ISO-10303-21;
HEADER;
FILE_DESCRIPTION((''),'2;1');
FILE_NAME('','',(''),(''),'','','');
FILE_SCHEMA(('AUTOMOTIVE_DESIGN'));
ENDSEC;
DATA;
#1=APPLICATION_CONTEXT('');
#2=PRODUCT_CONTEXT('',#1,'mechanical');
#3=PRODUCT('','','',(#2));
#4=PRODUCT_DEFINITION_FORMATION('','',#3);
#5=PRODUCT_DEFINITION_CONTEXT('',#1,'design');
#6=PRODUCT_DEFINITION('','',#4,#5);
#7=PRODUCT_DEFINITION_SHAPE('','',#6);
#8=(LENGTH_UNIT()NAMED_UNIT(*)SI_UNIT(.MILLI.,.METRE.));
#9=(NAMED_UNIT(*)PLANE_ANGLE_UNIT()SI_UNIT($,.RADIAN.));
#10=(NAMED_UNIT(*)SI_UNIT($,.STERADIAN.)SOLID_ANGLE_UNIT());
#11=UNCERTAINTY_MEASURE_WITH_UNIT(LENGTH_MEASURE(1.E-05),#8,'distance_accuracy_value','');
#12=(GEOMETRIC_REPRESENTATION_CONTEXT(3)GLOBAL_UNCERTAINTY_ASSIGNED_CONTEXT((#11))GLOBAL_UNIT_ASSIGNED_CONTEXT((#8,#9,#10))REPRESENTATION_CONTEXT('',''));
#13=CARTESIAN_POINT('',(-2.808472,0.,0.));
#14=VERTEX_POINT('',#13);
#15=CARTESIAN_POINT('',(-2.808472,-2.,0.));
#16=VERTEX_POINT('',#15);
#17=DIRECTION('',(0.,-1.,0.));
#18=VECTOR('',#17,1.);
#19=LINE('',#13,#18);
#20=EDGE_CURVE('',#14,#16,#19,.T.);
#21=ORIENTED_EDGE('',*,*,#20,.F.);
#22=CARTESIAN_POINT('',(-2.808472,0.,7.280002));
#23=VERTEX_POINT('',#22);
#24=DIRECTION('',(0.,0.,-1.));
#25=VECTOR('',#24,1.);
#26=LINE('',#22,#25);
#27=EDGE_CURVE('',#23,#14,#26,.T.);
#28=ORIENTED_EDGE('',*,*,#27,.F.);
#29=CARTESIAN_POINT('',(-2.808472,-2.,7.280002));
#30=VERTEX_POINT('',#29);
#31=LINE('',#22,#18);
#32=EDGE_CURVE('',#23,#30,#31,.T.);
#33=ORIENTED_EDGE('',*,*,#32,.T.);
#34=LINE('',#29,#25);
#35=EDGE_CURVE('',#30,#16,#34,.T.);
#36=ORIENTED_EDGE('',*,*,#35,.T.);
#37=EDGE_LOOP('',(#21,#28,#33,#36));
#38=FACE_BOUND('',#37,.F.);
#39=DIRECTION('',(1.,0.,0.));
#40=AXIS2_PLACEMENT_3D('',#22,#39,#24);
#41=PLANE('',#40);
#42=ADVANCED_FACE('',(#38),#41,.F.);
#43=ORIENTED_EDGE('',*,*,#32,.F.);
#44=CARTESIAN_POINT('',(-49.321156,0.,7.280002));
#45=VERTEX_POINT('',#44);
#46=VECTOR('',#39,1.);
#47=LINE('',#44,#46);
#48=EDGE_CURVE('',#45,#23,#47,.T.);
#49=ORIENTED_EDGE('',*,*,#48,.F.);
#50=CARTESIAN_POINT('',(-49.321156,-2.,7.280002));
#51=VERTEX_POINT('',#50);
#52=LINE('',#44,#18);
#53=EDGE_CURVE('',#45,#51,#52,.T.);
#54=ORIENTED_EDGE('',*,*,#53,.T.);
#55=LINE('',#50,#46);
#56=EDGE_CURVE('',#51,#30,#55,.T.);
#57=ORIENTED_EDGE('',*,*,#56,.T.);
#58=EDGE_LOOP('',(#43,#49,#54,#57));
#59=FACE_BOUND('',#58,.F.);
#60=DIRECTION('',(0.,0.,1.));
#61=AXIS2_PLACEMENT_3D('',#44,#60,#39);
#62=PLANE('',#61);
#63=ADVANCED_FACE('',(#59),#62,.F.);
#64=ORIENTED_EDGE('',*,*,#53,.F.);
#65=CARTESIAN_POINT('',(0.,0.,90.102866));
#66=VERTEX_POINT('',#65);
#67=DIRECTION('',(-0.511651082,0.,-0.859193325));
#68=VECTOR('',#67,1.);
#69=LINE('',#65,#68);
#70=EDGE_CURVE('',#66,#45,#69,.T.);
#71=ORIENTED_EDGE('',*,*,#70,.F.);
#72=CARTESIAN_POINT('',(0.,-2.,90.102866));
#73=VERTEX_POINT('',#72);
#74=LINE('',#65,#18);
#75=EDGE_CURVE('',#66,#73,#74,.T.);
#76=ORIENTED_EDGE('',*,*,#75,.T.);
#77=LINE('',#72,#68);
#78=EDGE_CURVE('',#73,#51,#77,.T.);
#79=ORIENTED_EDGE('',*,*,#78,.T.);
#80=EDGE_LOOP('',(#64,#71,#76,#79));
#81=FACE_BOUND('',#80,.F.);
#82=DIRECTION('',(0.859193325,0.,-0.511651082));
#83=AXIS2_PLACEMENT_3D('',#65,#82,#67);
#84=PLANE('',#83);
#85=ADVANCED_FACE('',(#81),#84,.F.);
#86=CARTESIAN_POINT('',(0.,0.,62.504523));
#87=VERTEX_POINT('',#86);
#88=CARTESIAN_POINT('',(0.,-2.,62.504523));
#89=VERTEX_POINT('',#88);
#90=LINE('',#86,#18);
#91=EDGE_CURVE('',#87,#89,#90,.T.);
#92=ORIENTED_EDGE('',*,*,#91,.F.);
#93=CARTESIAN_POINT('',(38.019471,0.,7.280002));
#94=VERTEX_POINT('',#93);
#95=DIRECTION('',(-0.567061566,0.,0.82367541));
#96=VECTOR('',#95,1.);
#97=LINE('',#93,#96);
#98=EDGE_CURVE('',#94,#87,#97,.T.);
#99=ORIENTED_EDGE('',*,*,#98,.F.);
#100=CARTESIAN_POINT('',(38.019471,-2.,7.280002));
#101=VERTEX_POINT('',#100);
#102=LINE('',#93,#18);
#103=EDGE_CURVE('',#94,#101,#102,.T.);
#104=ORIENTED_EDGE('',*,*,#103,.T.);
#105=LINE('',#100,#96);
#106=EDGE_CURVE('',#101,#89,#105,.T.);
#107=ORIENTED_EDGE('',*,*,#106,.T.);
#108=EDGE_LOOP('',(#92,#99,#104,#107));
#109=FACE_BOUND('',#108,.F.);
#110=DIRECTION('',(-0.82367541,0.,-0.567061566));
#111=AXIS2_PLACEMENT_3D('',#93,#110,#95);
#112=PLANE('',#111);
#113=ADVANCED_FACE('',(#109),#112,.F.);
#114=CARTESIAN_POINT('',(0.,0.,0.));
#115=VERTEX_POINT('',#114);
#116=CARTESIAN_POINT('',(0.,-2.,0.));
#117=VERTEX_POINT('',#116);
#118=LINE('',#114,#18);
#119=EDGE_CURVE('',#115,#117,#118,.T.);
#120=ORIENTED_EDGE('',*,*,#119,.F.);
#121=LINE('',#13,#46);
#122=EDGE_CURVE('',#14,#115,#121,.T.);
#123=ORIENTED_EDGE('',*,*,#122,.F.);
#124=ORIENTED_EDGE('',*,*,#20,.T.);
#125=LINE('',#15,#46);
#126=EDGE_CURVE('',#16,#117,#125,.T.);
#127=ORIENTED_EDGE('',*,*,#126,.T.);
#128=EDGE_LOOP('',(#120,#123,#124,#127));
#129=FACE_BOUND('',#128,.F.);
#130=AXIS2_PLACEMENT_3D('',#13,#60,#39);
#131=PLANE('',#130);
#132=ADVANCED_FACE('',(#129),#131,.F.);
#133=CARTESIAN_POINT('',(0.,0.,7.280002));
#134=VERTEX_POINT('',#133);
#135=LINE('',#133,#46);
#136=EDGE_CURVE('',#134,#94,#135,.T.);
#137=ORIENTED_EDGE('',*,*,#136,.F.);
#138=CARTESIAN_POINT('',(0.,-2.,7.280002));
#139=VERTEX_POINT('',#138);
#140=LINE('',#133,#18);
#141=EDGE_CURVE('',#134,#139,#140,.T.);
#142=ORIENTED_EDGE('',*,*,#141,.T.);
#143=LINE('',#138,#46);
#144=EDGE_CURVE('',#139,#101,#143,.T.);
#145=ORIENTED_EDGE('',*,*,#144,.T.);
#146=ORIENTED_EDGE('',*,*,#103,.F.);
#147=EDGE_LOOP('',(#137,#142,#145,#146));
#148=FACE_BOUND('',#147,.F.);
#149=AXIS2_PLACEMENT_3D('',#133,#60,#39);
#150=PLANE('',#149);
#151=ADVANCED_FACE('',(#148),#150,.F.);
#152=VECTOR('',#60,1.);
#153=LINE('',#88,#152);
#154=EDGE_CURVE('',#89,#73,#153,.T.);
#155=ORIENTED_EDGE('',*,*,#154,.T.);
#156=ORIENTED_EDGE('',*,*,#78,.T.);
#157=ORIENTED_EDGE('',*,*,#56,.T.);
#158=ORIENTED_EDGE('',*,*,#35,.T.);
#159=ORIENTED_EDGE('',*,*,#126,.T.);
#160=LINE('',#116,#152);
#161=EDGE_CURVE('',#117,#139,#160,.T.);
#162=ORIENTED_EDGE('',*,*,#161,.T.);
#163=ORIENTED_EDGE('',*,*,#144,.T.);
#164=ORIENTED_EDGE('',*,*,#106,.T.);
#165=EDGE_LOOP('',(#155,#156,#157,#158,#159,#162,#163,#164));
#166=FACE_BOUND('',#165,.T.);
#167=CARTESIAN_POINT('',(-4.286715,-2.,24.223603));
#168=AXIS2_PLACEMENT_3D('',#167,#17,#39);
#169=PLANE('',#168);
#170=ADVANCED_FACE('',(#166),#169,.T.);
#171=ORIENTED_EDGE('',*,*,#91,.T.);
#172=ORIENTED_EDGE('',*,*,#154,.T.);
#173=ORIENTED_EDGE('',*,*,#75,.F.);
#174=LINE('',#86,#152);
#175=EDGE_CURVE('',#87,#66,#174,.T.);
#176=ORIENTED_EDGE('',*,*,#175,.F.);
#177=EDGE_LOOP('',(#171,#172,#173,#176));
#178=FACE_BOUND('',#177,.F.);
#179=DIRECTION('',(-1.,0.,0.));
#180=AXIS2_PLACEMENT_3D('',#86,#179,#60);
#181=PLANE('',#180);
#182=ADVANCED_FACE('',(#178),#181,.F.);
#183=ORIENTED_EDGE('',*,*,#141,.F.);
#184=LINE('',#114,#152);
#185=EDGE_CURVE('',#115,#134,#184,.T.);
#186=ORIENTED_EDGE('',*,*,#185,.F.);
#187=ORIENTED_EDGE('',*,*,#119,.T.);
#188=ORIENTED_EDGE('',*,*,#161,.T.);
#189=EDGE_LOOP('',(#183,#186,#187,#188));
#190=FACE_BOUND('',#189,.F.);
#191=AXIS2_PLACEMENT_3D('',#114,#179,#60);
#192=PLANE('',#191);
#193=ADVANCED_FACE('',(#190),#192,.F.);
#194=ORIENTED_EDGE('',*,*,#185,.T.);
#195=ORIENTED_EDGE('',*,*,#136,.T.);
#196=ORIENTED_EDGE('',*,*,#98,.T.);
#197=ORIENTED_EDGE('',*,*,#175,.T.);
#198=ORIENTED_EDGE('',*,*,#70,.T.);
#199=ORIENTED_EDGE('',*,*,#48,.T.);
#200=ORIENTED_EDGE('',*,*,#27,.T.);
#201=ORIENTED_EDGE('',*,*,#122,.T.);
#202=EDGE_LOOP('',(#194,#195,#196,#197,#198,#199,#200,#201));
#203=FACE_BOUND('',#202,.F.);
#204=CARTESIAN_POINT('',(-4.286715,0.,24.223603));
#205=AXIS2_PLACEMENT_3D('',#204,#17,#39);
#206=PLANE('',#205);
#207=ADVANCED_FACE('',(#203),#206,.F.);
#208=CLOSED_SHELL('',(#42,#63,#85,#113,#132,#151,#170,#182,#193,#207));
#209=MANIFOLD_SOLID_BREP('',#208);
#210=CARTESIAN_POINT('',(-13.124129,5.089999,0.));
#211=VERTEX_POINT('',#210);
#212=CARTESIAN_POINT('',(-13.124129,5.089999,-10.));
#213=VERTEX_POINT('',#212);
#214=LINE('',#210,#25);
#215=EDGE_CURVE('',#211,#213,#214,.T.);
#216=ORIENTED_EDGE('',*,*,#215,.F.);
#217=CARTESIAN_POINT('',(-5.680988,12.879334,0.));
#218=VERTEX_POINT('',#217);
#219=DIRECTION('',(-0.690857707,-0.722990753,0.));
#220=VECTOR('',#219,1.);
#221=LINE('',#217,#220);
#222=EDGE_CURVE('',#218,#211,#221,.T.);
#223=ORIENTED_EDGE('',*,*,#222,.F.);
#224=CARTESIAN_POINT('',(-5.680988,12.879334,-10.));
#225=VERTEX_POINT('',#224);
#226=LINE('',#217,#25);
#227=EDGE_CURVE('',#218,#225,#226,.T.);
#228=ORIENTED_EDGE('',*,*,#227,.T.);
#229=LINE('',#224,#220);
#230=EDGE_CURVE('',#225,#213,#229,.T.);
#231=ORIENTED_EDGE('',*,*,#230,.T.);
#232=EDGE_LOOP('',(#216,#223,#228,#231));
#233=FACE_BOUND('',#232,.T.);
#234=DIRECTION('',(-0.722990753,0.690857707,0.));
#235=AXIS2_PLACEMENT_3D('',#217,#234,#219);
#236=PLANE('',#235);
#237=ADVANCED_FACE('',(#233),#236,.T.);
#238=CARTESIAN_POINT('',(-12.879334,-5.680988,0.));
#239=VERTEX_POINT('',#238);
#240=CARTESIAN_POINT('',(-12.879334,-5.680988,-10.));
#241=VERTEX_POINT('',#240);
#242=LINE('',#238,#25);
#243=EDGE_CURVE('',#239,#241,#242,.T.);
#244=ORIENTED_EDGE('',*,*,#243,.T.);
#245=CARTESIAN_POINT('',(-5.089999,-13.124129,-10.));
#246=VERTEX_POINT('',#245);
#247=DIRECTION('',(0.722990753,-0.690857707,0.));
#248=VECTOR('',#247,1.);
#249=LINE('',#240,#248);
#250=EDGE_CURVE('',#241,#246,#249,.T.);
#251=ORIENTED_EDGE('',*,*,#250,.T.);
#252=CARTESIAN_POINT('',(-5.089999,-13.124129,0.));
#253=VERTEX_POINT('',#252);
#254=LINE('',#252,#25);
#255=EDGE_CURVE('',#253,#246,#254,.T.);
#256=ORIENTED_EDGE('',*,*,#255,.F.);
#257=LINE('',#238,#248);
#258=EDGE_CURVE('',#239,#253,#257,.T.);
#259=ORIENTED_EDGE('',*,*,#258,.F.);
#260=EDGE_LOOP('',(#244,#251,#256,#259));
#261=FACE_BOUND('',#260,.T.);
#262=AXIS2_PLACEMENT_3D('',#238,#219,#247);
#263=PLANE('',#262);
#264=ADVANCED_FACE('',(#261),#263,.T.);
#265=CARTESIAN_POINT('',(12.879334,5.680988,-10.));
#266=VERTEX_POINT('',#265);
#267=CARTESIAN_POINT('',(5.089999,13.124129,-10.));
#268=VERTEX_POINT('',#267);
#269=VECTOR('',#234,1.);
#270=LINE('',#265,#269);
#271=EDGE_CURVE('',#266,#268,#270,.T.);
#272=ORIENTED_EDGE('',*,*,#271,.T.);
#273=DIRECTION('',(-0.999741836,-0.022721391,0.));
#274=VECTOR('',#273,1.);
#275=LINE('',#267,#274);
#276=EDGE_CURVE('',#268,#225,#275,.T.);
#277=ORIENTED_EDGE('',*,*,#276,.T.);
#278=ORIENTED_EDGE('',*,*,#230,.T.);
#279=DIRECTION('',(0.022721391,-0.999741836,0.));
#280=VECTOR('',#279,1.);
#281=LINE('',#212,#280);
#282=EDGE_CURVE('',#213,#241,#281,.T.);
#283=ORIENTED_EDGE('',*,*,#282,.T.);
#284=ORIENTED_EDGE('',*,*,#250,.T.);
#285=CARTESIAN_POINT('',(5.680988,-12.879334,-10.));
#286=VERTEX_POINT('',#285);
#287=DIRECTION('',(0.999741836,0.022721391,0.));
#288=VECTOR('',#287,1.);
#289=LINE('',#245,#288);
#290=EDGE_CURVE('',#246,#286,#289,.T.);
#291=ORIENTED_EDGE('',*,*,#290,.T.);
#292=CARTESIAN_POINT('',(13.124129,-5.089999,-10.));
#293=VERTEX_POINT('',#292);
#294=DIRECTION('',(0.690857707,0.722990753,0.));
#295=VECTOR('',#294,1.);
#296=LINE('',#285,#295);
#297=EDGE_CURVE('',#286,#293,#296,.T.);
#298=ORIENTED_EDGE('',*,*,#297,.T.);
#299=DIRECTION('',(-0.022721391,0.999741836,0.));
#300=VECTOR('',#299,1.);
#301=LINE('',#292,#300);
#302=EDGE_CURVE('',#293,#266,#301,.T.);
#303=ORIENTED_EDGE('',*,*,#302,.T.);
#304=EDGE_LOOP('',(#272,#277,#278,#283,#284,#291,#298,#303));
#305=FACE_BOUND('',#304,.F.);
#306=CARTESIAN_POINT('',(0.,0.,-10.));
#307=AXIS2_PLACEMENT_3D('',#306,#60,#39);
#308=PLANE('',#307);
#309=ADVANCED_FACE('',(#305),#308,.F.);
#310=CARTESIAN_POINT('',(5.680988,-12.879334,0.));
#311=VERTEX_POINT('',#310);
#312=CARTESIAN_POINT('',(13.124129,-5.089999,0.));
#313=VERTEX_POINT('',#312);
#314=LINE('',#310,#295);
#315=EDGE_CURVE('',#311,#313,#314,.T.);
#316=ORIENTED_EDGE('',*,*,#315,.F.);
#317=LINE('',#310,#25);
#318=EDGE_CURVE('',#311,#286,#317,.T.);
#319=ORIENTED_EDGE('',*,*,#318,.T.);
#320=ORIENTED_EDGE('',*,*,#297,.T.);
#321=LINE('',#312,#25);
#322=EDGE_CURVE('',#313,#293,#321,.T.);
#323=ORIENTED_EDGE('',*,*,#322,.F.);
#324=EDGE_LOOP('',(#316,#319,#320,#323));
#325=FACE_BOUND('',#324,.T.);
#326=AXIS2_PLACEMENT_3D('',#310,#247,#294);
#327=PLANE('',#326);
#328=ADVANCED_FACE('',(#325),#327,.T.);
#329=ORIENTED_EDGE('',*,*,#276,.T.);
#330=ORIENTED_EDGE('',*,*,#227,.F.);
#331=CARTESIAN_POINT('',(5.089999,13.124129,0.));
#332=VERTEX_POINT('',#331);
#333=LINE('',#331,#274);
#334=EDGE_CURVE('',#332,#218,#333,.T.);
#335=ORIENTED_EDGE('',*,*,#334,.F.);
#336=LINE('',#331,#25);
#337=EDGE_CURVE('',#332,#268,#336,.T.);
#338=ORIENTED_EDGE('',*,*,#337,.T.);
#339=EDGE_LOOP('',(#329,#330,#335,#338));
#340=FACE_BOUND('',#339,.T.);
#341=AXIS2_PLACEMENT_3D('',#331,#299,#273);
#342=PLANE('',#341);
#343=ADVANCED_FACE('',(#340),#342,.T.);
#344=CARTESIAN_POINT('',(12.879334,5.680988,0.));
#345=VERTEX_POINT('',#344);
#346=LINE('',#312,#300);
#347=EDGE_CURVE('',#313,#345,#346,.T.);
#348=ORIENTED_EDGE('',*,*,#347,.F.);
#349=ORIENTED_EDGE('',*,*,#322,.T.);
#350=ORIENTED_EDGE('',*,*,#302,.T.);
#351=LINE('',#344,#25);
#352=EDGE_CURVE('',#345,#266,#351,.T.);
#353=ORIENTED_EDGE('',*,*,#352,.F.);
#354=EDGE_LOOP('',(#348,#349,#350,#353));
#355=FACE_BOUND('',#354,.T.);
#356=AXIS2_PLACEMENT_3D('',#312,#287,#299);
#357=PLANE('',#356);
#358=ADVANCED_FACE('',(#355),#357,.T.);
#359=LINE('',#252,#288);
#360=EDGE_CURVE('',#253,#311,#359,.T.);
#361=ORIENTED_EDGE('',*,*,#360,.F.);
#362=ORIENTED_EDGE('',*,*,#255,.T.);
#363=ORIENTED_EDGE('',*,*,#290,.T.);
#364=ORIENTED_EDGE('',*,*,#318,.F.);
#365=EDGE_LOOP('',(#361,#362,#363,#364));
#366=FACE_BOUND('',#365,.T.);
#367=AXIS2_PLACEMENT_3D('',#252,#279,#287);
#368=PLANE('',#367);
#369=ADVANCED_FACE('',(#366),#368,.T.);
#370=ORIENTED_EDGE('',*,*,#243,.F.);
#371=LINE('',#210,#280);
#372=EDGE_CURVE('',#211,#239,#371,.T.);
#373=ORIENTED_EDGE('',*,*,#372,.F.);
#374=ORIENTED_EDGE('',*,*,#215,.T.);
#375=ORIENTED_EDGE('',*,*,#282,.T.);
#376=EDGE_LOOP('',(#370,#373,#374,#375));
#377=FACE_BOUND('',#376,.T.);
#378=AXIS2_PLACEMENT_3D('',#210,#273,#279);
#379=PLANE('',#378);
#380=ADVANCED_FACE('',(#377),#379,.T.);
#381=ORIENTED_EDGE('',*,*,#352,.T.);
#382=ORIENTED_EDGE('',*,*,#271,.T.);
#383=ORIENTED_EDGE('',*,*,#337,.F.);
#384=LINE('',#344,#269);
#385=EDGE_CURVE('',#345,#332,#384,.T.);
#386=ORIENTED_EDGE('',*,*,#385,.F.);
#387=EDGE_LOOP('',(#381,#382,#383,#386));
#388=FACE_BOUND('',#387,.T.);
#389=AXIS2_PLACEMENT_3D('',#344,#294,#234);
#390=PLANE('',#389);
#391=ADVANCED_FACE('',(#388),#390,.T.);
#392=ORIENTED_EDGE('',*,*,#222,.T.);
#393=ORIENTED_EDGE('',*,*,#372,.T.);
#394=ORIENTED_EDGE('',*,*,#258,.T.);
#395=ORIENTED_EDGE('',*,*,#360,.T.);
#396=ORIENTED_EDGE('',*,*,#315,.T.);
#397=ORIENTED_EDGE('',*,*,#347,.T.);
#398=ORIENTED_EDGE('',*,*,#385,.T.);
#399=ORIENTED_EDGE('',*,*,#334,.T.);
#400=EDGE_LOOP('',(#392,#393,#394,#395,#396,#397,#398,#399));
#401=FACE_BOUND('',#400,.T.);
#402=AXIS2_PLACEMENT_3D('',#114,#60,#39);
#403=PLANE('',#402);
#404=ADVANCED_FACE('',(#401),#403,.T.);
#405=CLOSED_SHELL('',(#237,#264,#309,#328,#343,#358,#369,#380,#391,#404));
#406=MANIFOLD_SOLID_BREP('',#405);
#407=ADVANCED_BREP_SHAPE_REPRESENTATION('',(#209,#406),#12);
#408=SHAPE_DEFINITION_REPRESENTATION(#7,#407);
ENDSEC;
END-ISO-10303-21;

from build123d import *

# Parameters (mm, degrees)
F1_DEPTH = 10
F3_DEPTH = 2


with BuildPart() as f1:
    # F0 (on Top) → F1 (new body)
    with BuildSketch(Plane.XY):
        Polygon((-5.680988, 12.879334), (-13.124129, 5.089999), (-12.879334, -5.680988), (-5.089999, -13.124129), (5.680988, -12.879334), (13.124129, -5.089999), (12.879334, 5.680988), (5.089999, 13.124129), align=None)
    extrude(amount=-F1_DEPTH)


with BuildPart() as f3:
    # F2 (on Front) → F3 (new body)
    with BuildSketch(Plane.XZ):
        Polygon((-2.808472, 0), (0, 0), (0, 7.280002), (0, 14.560004), (20.74383, 14.560004), (0, 42.571541), (0, 55.319596), (-31.359844, 14.560004), (-5.616945, 14.560004), (-2.808472, 7.280002), align=None)
        Polygon((0, 14.560004), (0, 7.280002), (38.019471, 7.280002), (0, 62.504523), (0, 90.102866), (-49.321156, 7.280002), (-2.808472, 7.280002), (-5.616945, 14.560004), (-31.359844, 14.560004), (0, 55.319596), (0, 42.571541), (20.74383, 14.560004), align=None)
    extrude(amount=F3_DEPTH)


solid = Compound([f1.part, f3.part])
